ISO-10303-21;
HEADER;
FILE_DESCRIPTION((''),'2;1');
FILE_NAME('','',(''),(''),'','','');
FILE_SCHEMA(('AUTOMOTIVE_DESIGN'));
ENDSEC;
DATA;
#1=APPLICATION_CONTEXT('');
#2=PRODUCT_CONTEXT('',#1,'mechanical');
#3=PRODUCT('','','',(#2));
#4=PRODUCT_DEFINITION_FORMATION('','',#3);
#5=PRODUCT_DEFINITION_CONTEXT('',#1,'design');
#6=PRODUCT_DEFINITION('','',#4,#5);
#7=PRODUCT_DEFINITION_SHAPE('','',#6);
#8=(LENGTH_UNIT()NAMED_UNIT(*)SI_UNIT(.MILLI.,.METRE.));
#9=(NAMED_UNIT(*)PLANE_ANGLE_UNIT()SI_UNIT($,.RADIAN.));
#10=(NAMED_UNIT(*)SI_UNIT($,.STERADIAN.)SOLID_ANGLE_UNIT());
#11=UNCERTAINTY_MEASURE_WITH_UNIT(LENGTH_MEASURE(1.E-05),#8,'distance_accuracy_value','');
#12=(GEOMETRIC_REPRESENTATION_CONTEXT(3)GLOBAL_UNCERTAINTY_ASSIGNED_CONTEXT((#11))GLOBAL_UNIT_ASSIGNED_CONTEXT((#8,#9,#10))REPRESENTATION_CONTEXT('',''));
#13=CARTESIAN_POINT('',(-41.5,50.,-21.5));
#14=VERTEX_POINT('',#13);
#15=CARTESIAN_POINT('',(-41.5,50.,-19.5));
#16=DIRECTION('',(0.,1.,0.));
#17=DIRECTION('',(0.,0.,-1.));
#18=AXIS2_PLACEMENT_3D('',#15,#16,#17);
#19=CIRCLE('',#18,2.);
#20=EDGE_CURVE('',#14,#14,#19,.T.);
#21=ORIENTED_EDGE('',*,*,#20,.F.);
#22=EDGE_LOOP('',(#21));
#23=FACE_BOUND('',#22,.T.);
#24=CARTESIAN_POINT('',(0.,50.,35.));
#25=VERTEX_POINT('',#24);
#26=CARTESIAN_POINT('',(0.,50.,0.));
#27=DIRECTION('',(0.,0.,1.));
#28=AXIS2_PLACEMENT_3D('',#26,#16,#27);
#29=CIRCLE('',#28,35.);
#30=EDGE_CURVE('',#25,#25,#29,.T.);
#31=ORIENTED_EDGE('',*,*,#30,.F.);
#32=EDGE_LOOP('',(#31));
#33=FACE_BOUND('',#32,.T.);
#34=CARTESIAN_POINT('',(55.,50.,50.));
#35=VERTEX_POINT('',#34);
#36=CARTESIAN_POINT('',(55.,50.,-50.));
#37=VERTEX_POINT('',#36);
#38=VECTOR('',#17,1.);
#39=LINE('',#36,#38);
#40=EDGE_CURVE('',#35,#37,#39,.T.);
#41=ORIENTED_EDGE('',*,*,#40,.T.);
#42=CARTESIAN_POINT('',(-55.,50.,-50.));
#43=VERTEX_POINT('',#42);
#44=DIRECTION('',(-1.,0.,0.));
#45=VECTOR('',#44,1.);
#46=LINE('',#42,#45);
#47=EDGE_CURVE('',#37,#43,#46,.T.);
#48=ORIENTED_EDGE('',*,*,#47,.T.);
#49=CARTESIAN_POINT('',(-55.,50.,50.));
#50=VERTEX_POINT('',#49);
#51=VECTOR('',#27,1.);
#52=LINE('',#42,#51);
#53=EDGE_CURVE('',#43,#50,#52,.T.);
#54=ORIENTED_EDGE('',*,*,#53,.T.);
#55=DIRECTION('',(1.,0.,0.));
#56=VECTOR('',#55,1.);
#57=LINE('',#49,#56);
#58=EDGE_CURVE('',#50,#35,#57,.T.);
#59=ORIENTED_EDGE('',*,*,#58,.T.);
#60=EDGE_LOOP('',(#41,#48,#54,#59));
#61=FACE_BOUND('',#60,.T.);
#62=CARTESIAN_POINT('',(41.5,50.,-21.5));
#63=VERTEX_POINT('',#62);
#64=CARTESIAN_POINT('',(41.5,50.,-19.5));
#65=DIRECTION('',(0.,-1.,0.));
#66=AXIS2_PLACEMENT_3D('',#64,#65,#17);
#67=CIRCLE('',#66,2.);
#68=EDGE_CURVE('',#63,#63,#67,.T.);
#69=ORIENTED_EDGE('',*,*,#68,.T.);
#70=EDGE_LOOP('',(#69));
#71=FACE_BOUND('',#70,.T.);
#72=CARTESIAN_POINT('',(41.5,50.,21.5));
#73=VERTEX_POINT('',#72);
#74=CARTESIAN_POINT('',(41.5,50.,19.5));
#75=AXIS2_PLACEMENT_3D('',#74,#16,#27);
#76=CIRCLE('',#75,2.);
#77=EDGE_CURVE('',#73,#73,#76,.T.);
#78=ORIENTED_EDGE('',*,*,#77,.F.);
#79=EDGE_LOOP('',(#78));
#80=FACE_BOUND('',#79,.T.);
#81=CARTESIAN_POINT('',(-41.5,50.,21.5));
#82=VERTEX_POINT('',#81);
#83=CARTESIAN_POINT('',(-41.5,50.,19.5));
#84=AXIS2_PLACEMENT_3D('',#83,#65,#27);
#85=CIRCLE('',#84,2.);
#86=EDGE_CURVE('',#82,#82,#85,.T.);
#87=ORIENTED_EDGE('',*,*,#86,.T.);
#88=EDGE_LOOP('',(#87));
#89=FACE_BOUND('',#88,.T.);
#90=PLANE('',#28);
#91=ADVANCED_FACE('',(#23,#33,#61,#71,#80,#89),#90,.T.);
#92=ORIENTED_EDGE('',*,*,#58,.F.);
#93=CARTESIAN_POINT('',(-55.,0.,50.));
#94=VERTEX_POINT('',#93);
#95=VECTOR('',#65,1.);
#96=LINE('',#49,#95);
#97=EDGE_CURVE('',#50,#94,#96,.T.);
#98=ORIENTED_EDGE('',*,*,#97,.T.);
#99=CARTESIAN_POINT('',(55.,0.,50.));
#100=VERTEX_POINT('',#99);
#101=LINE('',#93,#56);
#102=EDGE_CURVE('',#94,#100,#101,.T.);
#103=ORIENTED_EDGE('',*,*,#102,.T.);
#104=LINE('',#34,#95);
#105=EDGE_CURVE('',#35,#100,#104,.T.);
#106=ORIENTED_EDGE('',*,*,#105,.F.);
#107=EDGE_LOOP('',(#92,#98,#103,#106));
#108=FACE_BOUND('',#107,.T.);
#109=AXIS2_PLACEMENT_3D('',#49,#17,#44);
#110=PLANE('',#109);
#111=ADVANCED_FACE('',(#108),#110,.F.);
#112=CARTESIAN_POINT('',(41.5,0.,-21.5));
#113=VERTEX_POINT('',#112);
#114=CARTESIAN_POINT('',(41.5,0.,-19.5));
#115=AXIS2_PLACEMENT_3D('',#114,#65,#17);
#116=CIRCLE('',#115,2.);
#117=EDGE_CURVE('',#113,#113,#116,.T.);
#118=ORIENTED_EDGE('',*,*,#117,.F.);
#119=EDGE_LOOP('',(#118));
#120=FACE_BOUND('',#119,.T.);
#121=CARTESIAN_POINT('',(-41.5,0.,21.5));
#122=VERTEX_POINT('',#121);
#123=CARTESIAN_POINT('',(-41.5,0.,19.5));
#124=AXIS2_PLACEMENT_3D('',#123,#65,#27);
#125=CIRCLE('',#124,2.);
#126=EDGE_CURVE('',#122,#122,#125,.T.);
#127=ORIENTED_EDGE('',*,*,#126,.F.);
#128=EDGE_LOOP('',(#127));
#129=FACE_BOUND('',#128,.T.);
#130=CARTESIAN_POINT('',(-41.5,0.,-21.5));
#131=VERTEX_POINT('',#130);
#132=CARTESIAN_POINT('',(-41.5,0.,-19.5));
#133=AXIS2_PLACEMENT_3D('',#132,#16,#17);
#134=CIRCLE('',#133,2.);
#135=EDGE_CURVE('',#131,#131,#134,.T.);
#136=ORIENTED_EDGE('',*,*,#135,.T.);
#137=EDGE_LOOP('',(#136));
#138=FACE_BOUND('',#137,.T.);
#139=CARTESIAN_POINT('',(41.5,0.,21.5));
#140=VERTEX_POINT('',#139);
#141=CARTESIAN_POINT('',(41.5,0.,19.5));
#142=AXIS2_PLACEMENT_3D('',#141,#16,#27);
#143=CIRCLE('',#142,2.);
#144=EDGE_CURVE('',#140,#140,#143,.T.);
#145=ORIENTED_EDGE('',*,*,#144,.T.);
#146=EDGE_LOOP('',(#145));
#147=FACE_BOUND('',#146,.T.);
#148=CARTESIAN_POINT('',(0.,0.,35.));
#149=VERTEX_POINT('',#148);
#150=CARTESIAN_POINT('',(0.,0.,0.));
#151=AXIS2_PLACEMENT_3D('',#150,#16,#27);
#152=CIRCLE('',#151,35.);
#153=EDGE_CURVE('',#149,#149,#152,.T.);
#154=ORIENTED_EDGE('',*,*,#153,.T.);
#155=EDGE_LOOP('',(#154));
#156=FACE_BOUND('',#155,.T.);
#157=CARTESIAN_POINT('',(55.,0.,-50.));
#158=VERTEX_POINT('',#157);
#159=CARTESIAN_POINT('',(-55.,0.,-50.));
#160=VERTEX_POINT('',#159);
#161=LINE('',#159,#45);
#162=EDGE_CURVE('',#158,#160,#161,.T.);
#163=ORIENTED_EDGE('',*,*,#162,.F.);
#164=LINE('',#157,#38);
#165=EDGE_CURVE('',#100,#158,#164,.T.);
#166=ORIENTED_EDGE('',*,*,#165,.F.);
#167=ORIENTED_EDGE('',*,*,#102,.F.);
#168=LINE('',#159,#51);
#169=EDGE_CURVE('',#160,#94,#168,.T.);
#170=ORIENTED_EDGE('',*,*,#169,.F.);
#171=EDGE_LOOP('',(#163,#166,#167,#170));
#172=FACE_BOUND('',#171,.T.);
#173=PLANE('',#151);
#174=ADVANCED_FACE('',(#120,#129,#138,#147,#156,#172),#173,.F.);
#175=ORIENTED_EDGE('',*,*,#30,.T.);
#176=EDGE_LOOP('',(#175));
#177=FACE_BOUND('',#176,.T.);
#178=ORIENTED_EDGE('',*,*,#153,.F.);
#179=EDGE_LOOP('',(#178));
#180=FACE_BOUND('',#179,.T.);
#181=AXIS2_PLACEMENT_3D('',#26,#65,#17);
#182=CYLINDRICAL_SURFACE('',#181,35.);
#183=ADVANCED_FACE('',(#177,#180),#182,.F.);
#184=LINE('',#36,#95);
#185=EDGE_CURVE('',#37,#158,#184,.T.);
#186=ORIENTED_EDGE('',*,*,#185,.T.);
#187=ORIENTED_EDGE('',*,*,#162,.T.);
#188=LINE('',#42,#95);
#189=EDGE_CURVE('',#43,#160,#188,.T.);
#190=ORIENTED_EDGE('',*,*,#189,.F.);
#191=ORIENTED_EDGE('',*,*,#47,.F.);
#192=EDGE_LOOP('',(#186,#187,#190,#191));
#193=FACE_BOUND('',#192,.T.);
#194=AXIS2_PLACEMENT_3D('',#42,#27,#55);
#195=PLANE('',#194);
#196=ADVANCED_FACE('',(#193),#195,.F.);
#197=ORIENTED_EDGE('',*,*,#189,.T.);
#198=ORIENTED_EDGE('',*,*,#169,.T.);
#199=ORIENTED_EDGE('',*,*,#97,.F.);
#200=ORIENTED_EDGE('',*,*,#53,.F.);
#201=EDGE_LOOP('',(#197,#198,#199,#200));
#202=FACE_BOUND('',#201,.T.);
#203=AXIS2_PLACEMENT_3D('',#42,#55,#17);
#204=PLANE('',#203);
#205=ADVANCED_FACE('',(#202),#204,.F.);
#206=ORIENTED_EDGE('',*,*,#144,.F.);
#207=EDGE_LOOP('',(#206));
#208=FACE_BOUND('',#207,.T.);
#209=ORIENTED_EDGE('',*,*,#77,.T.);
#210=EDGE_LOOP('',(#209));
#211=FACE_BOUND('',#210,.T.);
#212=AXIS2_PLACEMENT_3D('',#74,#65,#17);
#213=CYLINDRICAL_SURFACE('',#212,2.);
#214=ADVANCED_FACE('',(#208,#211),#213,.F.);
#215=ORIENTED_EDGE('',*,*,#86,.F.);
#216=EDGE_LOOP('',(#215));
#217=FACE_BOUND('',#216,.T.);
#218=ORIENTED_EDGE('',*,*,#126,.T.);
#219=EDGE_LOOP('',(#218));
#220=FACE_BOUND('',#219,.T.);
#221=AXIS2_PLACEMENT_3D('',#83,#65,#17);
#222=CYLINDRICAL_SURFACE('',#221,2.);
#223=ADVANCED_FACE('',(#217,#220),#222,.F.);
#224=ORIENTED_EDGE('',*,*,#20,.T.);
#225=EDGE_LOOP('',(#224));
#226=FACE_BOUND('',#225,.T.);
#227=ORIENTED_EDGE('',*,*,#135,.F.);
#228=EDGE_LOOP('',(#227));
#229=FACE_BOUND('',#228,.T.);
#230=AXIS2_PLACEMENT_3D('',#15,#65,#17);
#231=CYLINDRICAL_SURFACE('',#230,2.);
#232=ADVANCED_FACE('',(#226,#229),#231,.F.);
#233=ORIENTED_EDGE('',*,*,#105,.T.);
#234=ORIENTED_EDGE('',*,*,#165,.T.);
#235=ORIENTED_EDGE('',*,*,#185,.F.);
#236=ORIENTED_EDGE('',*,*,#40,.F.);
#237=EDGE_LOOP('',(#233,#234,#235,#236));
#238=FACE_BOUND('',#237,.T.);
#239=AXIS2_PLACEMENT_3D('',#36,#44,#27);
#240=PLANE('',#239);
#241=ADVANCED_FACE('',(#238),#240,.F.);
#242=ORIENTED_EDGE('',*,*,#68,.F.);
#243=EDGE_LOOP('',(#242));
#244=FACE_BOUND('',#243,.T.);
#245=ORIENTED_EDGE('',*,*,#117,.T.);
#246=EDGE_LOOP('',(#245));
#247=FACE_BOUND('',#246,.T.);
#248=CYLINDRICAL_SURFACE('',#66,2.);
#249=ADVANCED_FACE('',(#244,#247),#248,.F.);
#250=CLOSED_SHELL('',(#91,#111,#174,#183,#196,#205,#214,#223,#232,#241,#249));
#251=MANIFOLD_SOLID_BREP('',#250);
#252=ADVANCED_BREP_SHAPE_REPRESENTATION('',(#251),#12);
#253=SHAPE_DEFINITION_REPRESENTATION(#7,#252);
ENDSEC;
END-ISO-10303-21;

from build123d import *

# Parameters (mm, degrees)
SKETCH1_W               = 110
SKETCH1_H               = 100
BOSS_EXTRUDE1_DEPTH     = 50
SKETCH2_R               = 35
CUT_EXTRUDE1_DEPTH      = 50
SKETCH3_R               = 2
CUT_EXTRUDE2_DEPTH      = 50
MIRROR3_COPY_1_SKETCH_R = 2
MIRROR3_COPY_1_DEPTH    = 50
MIRROR3_COPY_2_SKETCH_R = 2
MIRROR3_COPY_2_DEPTH    = 50


with BuildPart() as part:
    # Sketch1 → Boss-Extrude1 (new body)
    with BuildSketch(Plane(origin=(0, 0, 0), x_dir=(1, 0, 0), z_dir=(0, 1, 0))):
        Rectangle(SKETCH1_W, SKETCH1_H)
    extrude(amount=BOSS_EXTRUDE1_DEPTH)

    # Sketch2 → Cut-Extrude1 (cut)
    with BuildSketch(Plane(origin=(0, 0, 0), x_dir=(1, 0, 0), z_dir=(0, 1, 0))):
        with Locations(Location((0, 0, 0), (0, 0, 270))):
            Circle(SKETCH2_R)
    extrude(amount=CUT_EXTRUDE1_DEPTH, mode=Mode.SUBTRACT)

    # Sketch3 → Cut-Extrude2 (cut)
    with BuildSketch(Plane(origin=(0, 0, 0), x_dir=(1, 0, 0), z_dir=(0, 1, 0))):
        with Locations(Location((41.5, -19.5, 0), (0, 0, 270))):
            Circle(SKETCH3_R)
    cut_extrude2 = extrude(amount=CUT_EXTRUDE2_DEPTH, mode=Mode.SUBTRACT)

    # Mirror1: Cut-Extrude2 across plane
    add(cut_extrude2.mirror(Plane.XY), mode=Mode.SUBTRACT)

    # Mirror2: Cut-Extrude2 across plane
    add(cut_extrude2.mirror(Plane(origin=(0, 0, 0), x_dir=(0, 0, 1), z_dir=(1, 0, 0))), mode=Mode.SUBTRACT)

    # Mirror3 copy 1 sketch → Mirror3 copy 1 (cut)
    with BuildSketch(Plane(origin=(0, 0, 0), x_dir=(-1, 0, 0), z_dir=(0, 1, 0))):
        with Locations(Location((41.5, -19.5, 0), (0, 0, 270))):
            Circle(MIRROR3_COPY_1_SKETCH_R)
    extrude(amount=MIRROR3_COPY_1_DEPTH, mode=Mode.SUBTRACT)

    # Mirror3 copy 2 sketch → Mirror3 copy 2 (cut)
    with BuildSketch(Plane(origin=(0, 0, 0), x_dir=(1, 0, 0), z_dir=(0, 1, 0))):
        with Locations((41.5, 19.5)):
            Circle(MIRROR3_COPY_2_SKETCH_R)
    extrude(amount=MIRROR3_COPY_2_DEPTH, mode=Mode.SUBTRACT)


solid = part.part
